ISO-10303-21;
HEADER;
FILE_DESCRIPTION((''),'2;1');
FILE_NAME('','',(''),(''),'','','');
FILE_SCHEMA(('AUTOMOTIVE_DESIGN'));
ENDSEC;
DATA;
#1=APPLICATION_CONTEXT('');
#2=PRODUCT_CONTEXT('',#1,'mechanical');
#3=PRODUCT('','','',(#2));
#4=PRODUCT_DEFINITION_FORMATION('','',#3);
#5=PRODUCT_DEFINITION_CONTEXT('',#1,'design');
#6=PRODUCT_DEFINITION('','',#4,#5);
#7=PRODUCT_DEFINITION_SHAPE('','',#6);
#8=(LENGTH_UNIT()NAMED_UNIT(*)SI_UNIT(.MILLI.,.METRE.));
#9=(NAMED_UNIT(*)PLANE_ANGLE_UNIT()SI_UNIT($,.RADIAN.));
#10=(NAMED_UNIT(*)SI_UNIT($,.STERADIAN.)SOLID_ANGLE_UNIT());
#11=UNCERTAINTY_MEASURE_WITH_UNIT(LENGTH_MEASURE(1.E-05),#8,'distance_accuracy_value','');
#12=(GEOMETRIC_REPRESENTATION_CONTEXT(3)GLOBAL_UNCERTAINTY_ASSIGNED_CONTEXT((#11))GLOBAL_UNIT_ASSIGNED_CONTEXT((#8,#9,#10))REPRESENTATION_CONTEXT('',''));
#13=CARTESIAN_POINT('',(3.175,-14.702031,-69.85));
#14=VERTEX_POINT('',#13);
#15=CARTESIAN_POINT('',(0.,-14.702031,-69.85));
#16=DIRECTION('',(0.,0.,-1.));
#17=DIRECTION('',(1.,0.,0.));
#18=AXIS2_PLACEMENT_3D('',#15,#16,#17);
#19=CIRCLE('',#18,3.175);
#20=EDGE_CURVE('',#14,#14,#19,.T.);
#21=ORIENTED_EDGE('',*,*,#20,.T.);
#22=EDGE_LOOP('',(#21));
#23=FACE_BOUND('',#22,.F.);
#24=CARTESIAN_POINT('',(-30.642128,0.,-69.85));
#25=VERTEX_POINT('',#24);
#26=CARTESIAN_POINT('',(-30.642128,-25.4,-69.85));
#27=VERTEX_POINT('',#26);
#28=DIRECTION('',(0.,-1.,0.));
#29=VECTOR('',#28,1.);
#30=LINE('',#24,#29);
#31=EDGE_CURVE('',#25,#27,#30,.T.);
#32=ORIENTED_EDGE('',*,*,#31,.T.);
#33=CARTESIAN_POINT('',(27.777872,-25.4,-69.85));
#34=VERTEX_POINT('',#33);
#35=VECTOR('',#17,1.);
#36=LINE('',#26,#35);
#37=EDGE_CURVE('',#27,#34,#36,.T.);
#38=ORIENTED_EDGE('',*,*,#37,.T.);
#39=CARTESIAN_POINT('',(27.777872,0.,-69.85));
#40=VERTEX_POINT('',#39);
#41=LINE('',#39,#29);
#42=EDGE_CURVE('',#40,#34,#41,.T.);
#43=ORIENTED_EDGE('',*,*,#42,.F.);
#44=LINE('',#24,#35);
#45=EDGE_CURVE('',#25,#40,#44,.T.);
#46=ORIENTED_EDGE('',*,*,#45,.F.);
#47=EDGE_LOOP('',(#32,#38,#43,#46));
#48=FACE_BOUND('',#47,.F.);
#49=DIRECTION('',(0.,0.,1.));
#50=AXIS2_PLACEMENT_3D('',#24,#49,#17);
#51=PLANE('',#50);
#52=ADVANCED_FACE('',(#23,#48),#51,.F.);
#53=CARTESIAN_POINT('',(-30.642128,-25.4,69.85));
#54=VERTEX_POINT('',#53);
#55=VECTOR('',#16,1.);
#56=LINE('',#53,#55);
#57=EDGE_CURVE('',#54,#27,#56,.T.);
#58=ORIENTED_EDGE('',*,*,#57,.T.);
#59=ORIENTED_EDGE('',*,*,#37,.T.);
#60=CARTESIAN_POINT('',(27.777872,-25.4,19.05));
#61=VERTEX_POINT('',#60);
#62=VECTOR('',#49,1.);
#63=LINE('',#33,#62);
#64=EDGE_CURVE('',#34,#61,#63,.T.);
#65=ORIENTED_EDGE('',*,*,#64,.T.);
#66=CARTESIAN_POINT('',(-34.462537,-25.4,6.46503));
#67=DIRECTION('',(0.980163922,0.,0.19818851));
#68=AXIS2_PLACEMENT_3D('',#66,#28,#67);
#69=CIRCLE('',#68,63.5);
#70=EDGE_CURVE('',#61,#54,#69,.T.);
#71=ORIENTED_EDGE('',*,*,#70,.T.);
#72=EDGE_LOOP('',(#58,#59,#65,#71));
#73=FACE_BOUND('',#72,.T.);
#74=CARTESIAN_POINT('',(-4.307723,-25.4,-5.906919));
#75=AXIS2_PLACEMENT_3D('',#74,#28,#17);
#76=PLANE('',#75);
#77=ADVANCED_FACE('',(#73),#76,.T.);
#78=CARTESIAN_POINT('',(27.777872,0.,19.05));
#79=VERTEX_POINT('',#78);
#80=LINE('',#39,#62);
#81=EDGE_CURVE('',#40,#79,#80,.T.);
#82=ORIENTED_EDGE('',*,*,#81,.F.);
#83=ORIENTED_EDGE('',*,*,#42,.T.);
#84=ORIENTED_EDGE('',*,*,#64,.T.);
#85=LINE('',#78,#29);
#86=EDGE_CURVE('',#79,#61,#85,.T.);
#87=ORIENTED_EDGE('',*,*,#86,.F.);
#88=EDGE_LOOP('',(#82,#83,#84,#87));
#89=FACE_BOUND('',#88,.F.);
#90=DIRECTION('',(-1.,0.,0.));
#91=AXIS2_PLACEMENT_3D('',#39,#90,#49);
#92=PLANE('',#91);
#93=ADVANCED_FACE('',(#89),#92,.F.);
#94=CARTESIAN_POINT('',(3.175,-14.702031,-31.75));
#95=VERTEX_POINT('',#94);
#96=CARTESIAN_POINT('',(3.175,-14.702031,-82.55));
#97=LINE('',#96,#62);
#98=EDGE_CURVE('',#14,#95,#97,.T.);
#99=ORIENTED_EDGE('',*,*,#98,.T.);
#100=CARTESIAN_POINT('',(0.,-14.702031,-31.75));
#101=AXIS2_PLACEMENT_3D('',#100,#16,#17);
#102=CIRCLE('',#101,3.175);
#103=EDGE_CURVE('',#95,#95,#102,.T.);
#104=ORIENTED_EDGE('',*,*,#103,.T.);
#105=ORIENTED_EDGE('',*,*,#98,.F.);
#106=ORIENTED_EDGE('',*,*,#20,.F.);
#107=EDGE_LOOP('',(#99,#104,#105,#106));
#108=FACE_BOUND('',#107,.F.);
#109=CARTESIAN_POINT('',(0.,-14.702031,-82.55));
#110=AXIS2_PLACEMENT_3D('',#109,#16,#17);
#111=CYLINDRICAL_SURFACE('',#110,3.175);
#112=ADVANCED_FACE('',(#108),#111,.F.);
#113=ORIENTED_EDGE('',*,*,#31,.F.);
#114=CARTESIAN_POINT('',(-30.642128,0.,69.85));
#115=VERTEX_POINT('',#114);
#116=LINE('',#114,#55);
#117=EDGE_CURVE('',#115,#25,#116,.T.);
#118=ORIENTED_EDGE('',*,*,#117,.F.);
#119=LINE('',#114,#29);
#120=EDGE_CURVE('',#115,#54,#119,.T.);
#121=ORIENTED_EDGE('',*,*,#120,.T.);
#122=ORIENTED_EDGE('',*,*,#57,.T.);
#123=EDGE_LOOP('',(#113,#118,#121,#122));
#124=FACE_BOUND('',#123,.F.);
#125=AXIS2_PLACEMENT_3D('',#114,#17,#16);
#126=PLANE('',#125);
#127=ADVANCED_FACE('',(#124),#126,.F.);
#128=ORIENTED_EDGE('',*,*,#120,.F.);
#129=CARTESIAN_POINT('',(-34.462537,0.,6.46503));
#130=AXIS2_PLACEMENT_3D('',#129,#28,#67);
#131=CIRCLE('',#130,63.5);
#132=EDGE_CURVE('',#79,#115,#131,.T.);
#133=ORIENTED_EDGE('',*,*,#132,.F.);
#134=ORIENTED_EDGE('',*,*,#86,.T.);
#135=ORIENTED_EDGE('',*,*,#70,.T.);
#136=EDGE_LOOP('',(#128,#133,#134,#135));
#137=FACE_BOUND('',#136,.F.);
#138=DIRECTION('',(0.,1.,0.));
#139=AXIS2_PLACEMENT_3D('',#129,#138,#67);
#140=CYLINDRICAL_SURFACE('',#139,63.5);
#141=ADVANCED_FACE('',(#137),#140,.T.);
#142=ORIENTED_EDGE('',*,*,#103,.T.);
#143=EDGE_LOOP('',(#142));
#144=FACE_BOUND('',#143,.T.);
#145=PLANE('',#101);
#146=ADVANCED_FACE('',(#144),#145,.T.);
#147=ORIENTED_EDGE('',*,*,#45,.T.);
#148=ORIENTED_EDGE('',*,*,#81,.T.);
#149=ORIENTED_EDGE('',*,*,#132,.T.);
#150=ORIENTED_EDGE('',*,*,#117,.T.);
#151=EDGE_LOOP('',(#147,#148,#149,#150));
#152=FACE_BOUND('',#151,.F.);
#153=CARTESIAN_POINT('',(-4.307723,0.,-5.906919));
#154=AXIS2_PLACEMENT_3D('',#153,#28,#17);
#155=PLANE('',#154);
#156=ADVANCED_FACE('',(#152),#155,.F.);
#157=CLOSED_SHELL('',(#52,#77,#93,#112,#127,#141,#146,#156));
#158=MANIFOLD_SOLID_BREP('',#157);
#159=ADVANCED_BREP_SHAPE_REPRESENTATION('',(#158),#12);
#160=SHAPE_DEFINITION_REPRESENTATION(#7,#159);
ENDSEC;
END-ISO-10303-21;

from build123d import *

# Parameters (mm, degrees)
F1_DEPTH = 25.4
F2_R     = 31.75
F3_DEPTH = 25.4
F2_R_2   = 3.175
F5_DEPTH = 12.7
F6_DEPTH = 50.8


with BuildPart() as f1:
    # F0 (on Front) → F1 (new body)
    with BuildSketch(Plane.XZ):
        with BuildLine():
            ThreePointArc((27.7778723818, 19.05), (7.2048117222, 54.3824802414), (-30.6421276182, 69.85))
            Line((-30.6421276182, 69.85), (-30.6421276182, -69.85))
            Line((-30.6421276182, -69.85), (27.7778723818, -69.85))
            Line((27.7778723818, -69.85), (27.7778723818, 19.05))
        make_face()
    extrude(amount=F1_DEPTH)

    # F2 (on face) → F3, piece 2 (join)
    with BuildSketch(Plane(origin=(0, 0, -69.85), x_dir=(1, 0, 0), z_dir=(0, 0, -1))):
        with Locations((0, 14.7020313889)):
            Circle(F2_R_2)
    extrude(amount=F3_DEPTH)

    # F5 (cut): a face of the model
    f5_faces = [f1.faces().sort_by_distance(p)[0] for p in [
        (0, -14.7020313889, -95.25),
    ]]
    extrude(f5_faces, amount=-F5_DEPTH, mode=Mode.SUBTRACT)

    # F6 (cut): a face of the model
    f6_faces = [f1.faces().sort_by_distance(p)[0] for p in [
        (0, -14.7020313889, -82.55),
    ]]
    extrude(f6_faces, amount=-F6_DEPTH, mode=Mode.SUBTRACT)


with BuildPart() as f3:
    # F2 (on face) → F3 (new body)
    with BuildSketch(Plane(origin=(0, 0, -69.85), x_dir=(1, 0, 0), z_dir=(0, 0, -1))):
        with Locations((0, 116.4425893424)):
            Circle(F2_R)
    extrude(amount=F3_DEPTH)


solid = f1.part
